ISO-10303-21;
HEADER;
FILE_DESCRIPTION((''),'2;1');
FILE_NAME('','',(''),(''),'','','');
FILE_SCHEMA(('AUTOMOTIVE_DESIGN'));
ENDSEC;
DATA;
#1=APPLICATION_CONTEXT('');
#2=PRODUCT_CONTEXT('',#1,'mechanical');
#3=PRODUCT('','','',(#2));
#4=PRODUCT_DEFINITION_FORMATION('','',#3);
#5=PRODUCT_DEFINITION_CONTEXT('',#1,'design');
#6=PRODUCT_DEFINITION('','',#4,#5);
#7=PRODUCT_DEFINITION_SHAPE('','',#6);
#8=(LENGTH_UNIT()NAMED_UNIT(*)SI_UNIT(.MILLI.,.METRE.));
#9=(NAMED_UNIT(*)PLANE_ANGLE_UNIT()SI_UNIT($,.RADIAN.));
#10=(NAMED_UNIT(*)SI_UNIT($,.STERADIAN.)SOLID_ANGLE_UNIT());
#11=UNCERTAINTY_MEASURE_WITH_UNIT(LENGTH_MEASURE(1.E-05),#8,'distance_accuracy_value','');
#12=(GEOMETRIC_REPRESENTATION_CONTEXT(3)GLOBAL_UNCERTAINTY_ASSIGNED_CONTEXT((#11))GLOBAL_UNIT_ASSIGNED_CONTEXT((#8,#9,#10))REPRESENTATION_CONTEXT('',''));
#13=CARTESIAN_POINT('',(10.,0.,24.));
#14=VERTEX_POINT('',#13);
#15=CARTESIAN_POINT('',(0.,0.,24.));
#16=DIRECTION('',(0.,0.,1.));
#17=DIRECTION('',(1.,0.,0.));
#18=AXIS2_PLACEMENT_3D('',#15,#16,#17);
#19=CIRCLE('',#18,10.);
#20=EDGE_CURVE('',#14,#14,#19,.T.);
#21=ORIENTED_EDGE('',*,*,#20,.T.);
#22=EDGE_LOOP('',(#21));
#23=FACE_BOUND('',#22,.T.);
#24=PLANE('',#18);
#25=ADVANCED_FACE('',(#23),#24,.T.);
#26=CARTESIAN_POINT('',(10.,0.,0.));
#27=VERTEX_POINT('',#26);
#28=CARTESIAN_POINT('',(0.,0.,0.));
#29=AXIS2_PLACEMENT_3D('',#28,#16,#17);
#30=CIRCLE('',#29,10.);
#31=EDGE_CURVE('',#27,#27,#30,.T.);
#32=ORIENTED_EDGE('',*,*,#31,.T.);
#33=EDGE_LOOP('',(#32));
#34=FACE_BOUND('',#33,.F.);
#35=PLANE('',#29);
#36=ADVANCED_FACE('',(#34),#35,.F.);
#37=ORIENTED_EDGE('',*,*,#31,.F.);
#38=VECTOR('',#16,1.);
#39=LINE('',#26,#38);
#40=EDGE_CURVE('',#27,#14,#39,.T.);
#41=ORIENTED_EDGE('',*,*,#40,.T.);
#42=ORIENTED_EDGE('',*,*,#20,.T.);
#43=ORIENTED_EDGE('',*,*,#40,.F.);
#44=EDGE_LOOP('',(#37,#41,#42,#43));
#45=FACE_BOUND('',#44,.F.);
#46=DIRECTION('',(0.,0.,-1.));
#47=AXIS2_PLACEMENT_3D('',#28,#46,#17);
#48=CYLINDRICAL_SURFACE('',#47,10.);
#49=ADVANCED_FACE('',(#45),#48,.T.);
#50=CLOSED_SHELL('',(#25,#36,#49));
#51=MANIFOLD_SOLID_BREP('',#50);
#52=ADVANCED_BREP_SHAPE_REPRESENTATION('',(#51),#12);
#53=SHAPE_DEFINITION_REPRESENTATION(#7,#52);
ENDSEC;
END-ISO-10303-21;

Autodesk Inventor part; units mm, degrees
ref_plane "YZ Plane" through (0, 0, 0) normal (1, 0, 0) x (0, 1, 0)
ref_plane "XZ Plane" through (0, 0, 0) normal (0, 1, 0) x (-1, 0, 0)
ref_plane "XY Plane" through (0, 0, 0) normal (0, 0, 1) x (1, 0, 0)
sketch "草圖1" plane through (0, 0, 0) normal (0, 0, 1) x (1, 0, 0)
  circle A0 centre (0, 0) radius 10
  dimension "d0" = 20
extrude "擠出1" add sketch "草圖1" along normal blind 24
